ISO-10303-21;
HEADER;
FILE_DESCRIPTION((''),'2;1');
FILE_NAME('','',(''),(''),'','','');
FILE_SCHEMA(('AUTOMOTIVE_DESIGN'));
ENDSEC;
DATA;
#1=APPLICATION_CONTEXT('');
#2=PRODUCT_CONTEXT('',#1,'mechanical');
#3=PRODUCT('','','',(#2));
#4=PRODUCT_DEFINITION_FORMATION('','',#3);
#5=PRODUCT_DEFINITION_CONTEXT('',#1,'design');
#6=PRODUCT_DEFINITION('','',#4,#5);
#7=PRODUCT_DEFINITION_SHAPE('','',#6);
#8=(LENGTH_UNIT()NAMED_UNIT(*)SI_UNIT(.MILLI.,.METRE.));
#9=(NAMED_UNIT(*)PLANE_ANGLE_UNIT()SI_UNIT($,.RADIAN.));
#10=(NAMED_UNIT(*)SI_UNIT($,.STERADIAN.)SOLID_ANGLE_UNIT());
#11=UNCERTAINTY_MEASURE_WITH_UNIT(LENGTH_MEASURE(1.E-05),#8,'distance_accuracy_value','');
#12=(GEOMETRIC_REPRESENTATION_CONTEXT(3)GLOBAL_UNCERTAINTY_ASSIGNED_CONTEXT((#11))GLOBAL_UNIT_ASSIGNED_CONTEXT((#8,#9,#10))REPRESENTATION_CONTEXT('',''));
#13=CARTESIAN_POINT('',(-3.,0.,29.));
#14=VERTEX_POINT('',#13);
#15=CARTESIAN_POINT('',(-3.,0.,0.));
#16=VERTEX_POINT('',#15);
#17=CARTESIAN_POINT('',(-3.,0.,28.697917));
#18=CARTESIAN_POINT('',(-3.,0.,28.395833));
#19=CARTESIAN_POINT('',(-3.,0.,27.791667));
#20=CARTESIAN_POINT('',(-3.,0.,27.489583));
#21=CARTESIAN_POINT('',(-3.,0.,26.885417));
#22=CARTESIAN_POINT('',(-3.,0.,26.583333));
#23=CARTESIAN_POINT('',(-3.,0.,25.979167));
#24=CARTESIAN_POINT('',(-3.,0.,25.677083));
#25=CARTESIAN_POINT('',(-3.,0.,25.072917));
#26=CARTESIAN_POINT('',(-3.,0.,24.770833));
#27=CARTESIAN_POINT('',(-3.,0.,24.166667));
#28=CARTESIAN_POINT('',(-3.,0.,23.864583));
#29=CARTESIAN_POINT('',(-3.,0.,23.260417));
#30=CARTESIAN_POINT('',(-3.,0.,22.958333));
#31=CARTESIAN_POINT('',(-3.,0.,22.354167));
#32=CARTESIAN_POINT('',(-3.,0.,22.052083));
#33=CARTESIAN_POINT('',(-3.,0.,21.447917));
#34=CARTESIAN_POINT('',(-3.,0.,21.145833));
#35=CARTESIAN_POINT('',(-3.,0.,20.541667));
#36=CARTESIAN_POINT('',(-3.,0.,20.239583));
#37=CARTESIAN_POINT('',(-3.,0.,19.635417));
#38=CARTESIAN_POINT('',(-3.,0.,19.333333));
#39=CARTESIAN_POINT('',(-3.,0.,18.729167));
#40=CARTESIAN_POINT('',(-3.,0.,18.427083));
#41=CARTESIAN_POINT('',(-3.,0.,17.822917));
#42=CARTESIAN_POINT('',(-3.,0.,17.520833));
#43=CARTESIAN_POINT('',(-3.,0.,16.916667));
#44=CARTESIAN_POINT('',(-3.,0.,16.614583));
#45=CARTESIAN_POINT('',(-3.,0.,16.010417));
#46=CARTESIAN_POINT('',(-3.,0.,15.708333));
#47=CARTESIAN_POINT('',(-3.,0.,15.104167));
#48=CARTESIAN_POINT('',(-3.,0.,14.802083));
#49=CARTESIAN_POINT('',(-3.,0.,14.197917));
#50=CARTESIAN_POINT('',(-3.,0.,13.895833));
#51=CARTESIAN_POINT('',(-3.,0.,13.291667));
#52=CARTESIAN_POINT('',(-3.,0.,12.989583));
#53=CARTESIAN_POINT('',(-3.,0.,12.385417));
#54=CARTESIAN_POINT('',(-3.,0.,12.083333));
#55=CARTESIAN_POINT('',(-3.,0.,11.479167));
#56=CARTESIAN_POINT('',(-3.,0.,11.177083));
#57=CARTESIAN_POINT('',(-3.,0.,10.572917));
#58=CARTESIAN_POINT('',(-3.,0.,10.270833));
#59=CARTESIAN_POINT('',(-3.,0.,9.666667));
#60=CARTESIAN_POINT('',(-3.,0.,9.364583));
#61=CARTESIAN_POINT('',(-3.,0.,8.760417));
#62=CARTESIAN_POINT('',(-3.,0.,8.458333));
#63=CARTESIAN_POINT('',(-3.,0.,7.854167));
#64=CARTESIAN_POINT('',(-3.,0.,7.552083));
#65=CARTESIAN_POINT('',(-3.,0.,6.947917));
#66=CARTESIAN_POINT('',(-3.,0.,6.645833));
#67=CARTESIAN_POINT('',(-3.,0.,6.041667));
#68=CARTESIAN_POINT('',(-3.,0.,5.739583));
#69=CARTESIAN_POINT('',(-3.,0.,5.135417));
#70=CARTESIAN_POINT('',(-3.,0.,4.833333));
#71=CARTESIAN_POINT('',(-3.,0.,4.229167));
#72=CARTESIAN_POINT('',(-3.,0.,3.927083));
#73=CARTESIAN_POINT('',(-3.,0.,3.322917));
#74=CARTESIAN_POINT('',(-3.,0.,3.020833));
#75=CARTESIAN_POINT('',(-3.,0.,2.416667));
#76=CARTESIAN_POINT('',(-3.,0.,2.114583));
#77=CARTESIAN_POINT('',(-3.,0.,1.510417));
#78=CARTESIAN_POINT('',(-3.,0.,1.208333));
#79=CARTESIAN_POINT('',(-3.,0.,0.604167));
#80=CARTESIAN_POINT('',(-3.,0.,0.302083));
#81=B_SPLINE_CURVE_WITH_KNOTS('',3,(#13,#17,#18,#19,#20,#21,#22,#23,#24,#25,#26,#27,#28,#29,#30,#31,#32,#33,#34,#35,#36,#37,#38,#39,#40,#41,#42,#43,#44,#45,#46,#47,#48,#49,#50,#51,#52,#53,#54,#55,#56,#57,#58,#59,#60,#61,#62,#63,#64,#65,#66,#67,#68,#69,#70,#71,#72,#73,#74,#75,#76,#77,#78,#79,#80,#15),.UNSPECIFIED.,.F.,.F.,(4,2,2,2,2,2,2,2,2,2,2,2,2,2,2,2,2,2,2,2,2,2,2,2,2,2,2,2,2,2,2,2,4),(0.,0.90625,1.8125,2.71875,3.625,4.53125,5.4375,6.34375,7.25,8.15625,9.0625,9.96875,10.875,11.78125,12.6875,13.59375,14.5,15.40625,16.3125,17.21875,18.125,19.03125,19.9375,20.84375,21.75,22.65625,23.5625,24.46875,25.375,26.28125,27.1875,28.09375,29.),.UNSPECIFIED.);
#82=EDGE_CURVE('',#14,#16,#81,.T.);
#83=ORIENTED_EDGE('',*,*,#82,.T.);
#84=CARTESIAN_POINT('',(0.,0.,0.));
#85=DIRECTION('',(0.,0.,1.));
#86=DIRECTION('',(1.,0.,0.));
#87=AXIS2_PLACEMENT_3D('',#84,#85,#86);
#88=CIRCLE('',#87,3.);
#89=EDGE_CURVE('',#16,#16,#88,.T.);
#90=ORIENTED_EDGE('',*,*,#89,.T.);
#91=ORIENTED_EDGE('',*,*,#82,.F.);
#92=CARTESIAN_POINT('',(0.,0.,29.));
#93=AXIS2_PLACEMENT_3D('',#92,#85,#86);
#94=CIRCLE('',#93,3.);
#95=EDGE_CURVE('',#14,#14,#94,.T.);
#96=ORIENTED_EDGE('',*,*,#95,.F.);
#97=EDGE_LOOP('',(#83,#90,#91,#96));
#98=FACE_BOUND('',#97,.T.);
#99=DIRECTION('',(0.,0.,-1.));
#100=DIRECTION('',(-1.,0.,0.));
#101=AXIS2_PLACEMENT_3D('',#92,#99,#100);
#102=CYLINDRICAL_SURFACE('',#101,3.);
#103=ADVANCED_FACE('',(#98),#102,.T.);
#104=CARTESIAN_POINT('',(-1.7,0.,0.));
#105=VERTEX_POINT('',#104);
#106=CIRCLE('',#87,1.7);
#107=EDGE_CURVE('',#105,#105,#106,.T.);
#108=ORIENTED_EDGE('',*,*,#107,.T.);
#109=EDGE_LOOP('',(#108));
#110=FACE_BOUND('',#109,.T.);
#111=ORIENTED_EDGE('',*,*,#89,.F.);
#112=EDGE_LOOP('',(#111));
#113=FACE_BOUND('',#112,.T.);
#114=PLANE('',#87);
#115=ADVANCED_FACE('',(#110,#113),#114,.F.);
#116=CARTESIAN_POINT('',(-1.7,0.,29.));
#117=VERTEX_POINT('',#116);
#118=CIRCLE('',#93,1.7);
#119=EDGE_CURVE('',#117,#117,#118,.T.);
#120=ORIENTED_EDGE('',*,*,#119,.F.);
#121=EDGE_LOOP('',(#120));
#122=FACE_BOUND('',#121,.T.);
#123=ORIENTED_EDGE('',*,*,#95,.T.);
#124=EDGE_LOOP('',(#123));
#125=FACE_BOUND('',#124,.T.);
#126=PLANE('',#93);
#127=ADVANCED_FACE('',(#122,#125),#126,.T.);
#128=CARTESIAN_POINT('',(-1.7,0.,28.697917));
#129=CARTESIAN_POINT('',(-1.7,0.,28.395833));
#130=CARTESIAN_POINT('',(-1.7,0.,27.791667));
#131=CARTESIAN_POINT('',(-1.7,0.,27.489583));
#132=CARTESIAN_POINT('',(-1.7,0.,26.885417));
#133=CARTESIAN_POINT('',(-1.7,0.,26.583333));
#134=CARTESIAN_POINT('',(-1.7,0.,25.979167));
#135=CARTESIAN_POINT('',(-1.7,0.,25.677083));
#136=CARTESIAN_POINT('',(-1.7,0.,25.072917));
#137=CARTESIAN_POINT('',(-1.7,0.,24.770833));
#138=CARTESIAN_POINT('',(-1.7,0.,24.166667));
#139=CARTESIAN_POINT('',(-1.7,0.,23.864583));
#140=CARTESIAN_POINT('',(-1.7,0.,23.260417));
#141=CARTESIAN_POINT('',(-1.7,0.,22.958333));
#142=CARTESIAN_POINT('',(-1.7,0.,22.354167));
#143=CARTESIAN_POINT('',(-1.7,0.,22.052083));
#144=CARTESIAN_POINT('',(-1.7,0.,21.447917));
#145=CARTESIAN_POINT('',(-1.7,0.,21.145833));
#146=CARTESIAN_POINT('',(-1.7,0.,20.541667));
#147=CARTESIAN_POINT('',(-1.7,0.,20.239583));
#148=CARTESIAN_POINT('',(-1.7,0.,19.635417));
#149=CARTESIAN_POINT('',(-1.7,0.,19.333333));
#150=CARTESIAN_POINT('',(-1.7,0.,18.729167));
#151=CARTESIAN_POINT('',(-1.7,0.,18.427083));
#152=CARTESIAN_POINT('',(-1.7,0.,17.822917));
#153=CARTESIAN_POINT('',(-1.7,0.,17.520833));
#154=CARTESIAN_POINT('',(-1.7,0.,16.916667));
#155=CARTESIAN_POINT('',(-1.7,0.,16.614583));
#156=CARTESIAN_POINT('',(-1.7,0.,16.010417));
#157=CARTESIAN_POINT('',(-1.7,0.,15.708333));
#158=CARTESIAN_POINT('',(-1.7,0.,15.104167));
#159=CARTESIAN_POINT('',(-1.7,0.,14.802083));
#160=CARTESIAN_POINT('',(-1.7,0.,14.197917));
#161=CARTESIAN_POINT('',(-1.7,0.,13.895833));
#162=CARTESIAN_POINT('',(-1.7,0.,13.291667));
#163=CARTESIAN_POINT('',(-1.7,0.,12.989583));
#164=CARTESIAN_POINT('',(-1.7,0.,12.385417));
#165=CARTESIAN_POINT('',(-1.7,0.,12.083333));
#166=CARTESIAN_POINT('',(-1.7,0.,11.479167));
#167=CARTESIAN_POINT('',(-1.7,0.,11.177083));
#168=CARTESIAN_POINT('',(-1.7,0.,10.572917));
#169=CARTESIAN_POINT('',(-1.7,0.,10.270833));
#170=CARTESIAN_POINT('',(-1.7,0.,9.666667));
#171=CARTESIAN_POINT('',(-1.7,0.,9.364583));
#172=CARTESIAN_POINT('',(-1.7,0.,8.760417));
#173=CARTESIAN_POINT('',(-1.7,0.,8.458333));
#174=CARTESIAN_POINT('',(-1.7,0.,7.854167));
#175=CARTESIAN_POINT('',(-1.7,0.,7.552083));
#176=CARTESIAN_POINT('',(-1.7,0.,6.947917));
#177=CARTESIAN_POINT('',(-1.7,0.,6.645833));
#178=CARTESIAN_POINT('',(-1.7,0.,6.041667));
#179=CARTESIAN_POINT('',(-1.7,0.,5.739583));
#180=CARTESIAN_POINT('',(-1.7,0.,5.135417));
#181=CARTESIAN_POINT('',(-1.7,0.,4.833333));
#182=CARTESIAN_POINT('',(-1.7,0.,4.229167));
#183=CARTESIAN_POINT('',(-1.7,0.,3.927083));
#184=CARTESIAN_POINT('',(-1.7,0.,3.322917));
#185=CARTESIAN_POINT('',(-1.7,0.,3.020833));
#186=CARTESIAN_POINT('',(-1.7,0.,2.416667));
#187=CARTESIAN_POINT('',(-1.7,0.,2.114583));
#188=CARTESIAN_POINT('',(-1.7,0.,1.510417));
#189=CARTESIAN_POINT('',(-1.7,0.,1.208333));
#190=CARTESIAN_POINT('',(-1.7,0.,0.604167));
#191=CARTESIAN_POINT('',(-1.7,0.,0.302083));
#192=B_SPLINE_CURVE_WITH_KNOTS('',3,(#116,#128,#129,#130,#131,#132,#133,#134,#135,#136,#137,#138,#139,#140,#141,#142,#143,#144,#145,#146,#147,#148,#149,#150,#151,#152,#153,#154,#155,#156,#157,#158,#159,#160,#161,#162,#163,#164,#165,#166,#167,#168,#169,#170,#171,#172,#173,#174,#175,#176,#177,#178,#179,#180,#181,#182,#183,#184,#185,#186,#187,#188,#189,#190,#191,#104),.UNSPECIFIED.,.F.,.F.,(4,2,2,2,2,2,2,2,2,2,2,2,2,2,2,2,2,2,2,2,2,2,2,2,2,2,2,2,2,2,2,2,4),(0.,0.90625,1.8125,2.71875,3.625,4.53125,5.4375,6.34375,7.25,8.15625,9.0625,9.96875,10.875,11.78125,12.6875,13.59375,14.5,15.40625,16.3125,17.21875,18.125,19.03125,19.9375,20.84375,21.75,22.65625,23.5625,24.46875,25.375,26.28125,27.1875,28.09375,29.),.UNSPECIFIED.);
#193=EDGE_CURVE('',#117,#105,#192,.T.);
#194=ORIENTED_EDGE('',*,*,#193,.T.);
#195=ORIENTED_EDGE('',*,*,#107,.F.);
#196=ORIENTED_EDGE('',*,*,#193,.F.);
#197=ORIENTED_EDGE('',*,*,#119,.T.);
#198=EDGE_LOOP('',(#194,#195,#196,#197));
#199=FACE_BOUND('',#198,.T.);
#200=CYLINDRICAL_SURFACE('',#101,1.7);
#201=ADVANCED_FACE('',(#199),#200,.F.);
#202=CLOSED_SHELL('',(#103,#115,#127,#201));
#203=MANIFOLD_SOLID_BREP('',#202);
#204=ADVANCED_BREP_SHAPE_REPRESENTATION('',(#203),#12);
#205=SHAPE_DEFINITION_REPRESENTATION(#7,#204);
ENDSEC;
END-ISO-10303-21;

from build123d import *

# Parameters (mm, degrees)
SKETCH1_R           = 3
SKETCH1_R_2         = 1.7
RING_ENVELOPE_DEPTH = 29


with BuildPart() as part:
    # Sketch1 → Ring_Envelope (new body)
    with BuildSketch(Plane.XY):
        with Locations(Location((0, 0, 0), (0, 0, 180))):
            Circle(SKETCH1_R)
        with Locations(Location((0, 0, 0), (0, 0, 180))):
            Circle(SKETCH1_R_2, mode=Mode.SUBTRACT)
    extrude(amount=RING_ENVELOPE_DEPTH)


solid = part.part
